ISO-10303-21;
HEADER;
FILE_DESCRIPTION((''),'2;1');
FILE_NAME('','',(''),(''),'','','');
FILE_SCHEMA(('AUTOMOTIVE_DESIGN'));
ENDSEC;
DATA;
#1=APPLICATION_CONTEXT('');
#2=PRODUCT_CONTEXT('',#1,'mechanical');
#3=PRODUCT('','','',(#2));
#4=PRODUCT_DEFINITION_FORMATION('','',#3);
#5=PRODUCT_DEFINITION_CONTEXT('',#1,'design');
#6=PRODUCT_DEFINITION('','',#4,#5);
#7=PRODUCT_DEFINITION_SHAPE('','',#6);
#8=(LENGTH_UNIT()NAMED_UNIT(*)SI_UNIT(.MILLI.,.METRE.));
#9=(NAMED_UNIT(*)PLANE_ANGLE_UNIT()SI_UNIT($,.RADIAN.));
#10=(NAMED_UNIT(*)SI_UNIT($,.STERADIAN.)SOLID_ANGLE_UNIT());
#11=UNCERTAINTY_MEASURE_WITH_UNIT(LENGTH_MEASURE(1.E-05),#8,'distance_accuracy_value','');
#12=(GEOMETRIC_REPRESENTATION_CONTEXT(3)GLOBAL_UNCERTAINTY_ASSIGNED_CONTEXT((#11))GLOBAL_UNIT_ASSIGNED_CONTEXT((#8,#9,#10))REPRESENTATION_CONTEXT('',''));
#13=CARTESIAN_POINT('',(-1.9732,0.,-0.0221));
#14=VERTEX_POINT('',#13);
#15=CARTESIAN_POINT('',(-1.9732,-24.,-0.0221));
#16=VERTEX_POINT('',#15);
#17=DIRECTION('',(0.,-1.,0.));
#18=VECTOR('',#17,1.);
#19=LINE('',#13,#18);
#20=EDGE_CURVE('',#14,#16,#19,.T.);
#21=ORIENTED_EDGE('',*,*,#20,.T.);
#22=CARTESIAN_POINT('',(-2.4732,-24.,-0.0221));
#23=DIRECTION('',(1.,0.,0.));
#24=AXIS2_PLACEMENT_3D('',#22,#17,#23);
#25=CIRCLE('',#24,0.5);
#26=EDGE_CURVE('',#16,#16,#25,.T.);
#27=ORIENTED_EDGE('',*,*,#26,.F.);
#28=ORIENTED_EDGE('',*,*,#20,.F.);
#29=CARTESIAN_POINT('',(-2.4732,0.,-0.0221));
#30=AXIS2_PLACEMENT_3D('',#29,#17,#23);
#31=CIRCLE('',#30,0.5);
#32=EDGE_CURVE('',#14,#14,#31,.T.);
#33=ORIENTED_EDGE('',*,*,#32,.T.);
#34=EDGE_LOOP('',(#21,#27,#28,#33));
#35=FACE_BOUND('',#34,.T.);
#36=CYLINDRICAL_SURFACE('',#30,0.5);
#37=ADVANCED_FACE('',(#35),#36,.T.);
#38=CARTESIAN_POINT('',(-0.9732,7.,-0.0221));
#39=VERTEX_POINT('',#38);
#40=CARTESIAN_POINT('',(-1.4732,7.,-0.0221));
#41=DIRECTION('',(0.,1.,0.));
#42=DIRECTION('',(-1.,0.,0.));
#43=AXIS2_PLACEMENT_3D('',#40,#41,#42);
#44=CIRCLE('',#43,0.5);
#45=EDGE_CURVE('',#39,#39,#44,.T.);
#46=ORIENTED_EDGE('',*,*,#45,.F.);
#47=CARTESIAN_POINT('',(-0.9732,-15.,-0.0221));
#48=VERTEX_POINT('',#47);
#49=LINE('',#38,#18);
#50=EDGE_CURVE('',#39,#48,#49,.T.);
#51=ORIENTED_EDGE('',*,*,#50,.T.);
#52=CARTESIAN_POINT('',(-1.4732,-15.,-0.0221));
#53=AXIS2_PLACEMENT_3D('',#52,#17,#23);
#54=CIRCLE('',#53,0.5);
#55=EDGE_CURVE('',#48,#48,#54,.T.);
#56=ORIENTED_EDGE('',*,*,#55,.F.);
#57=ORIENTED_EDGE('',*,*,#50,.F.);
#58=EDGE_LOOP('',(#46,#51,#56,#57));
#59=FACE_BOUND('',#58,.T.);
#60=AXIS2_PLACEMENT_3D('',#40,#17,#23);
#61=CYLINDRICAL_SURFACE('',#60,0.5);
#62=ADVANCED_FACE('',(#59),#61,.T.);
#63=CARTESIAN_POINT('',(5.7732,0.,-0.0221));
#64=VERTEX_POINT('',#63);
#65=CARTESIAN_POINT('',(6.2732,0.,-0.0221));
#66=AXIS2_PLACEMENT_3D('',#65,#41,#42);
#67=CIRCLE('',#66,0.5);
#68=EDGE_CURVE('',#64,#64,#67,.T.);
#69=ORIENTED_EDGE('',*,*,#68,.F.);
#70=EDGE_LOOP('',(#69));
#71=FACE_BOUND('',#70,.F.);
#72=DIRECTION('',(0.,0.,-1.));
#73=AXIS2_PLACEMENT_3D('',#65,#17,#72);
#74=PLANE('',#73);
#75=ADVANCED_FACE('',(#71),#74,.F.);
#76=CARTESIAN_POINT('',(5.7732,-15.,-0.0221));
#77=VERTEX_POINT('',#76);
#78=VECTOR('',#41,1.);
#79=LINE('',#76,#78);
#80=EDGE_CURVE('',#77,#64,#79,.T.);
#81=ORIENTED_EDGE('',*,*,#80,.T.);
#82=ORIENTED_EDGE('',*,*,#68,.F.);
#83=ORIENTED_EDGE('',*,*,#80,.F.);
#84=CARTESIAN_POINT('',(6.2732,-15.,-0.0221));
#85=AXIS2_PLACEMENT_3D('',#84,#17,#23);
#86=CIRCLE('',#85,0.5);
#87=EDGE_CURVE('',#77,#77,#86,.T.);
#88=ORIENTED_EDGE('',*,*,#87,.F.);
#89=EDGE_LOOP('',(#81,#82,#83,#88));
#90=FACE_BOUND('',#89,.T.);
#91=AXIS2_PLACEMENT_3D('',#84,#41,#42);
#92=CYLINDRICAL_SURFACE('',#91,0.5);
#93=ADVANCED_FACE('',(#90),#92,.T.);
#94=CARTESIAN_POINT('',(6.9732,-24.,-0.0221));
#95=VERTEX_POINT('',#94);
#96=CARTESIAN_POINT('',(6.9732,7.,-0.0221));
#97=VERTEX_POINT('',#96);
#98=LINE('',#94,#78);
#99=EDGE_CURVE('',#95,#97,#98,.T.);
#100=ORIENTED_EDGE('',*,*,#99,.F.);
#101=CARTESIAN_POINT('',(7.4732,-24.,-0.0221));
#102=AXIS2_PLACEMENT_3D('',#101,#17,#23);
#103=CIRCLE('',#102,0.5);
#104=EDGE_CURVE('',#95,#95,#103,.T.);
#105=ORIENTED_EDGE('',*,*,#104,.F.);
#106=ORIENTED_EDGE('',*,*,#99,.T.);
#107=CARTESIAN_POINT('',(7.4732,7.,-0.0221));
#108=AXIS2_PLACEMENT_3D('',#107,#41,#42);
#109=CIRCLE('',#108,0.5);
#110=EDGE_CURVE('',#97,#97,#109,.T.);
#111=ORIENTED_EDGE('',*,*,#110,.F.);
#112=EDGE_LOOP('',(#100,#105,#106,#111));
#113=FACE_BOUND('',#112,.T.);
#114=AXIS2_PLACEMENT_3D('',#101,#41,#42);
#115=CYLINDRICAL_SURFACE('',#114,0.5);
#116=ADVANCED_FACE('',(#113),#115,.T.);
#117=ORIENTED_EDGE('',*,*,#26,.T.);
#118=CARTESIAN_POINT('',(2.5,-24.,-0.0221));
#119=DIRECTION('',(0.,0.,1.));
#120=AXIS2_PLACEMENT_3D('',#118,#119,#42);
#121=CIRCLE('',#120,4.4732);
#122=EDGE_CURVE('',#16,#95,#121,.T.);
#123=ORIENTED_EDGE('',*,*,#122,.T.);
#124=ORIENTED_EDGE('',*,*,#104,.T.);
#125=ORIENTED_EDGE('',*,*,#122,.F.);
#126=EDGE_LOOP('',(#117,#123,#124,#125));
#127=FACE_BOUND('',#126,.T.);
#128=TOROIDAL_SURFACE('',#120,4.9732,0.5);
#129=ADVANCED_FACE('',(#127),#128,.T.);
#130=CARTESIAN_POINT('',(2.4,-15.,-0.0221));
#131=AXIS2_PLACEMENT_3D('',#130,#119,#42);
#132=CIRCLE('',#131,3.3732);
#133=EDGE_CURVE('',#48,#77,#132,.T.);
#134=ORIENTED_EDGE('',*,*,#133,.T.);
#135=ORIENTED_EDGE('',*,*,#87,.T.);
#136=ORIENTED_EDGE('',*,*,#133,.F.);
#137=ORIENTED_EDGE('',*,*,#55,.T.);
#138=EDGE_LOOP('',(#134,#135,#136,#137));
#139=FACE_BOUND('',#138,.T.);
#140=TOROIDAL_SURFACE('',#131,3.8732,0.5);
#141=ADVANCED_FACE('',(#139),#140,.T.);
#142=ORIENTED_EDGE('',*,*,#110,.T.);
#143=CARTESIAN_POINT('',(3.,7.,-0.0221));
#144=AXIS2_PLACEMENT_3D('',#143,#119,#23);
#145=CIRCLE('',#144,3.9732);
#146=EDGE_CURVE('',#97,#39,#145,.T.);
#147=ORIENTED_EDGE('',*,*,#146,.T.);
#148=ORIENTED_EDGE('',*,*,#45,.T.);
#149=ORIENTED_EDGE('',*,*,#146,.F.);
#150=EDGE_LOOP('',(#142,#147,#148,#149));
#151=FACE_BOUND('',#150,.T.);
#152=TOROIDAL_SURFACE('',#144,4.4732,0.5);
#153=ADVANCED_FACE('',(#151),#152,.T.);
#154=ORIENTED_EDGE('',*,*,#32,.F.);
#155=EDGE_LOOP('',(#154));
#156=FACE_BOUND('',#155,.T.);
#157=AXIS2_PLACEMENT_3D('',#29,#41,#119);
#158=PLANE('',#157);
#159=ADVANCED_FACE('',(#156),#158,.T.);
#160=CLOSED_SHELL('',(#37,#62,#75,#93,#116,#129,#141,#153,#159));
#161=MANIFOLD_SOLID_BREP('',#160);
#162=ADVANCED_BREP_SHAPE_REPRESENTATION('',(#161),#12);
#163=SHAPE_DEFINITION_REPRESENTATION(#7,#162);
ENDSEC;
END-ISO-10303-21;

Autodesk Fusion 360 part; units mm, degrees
sketch "Sketch3" plane through (0, 0, 0) normal (0, 0, 1) x (1, 0, 0)
  line L0 (-2.5, 0) -> (-2.5, -24)
  arc A0 (-2.5, -24) -> (7.5, -24) centre (2.5, -24) ccw
  line L1 (7.5, -24) -> (7.5, 7)
  arc A1 (7.5, 7) -> (-1.5, 7) centre (3, 7) ccw
  line L2 (-1.5, 7) -> (-1.5, -15)
  arc A2 (-1.5, -15) -> (6.3, -15) centre (2.4, -15) ccw
  line L3 (6.3, -15) -> (6.3, 0)
  dimension "d21" = 24
  dimension "d22" = 5
  dimension "d23" = 31
  dimension "d24" = 4.5
  dimension "d25" = 22
  dimension "d26" = 3.9
  dimension "d27" = 15
sketch "Sketch4" plane through (0, 0, 0) normal (0, 1, 0) x (1, 0, 0)
  circle A0 centre (-2.4732, 0.0221) radius 0.5
  dimension "d28" = 1
sweep "Sweep1" add profiles "Sketch4" path "Sketch3" along L0 A0 L1 A1 L2 A2 L3 section 1
